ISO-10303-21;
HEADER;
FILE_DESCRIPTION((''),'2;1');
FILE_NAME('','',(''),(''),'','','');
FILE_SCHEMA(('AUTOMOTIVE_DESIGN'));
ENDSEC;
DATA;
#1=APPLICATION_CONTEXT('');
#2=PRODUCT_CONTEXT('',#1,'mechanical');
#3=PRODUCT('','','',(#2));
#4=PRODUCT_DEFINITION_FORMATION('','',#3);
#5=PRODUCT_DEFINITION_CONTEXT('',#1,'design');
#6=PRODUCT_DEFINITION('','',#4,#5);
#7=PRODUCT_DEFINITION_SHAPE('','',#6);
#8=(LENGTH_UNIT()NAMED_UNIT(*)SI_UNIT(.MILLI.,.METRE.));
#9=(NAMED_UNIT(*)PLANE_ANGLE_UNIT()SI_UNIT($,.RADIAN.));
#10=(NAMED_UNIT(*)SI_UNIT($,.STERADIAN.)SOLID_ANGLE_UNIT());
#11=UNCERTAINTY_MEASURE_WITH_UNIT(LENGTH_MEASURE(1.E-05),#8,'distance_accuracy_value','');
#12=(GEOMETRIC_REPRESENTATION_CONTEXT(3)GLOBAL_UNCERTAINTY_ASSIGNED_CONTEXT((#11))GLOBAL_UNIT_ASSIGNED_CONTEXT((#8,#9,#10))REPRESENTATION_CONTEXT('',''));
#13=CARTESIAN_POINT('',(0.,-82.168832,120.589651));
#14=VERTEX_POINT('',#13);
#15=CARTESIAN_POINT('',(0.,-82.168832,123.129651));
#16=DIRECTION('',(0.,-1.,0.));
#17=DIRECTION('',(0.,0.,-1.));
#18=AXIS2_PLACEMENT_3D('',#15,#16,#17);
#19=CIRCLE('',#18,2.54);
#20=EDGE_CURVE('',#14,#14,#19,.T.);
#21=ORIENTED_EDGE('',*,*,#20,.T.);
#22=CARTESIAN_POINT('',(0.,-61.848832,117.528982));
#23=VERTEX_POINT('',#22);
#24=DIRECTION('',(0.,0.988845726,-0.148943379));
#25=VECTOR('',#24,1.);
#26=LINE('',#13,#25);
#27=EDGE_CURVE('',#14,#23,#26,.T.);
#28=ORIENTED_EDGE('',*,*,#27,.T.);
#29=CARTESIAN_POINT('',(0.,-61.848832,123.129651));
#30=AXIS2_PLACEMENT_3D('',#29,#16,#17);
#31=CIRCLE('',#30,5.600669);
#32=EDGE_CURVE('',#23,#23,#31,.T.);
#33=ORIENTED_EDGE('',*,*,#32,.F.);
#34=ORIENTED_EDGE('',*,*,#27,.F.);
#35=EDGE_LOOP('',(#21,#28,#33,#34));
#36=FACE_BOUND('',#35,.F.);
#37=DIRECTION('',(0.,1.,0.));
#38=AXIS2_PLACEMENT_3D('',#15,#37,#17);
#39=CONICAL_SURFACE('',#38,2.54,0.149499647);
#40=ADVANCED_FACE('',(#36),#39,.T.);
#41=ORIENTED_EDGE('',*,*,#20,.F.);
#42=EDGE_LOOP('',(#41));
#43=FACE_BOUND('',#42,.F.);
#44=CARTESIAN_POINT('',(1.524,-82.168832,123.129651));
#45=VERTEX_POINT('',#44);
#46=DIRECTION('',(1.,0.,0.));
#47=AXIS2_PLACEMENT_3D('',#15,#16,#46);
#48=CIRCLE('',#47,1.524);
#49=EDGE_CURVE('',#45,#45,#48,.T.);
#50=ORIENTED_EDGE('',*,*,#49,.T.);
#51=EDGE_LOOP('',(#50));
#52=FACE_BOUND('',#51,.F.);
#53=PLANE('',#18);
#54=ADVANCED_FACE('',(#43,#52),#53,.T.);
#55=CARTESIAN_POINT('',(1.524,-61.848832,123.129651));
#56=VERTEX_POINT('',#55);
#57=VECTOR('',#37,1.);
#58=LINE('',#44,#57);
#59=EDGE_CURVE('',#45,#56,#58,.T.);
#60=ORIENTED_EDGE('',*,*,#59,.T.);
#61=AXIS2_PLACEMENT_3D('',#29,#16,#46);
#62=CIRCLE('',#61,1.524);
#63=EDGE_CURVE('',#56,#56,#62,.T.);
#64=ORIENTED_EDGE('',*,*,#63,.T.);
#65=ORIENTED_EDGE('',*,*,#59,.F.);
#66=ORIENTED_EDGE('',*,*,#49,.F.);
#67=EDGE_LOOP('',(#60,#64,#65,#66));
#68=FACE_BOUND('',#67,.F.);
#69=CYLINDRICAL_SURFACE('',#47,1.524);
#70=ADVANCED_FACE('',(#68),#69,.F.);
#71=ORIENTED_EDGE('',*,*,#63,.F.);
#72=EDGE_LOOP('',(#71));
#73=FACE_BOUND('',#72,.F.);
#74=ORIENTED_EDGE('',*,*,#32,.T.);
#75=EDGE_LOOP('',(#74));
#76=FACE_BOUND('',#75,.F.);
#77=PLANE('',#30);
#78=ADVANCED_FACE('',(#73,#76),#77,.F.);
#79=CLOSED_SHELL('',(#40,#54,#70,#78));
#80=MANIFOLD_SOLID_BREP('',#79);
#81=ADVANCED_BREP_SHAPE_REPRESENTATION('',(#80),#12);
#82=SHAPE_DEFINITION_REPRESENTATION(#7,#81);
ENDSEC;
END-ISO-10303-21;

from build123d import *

# Parameters (mm, degrees)
F2_R     = 1.524
F3_DEPTH = 20.32


with BuildPart() as f1:
    # F0 (on Right) → F1 (revolve)
    with BuildSketch(Plane.YZ):
        Polygon((-61.848832, 117.528982), (-61.848832, 123.129651), (-82.168832, 123.129651), (-82.168832, 120.589651), align=None)
    revolve(axis=Axis((0, -72.008832, 123.129651), (0, -1, 0)))

    # F2 (on face) → F3 (cut)
    with BuildSketch(Plane.XZ.offset(82.168832)):
        with Locations((0, 123.129651)):
            Circle(F2_R)
    extrude(amount=-F3_DEPTH, mode=Mode.SUBTRACT)


solid = f1.part
